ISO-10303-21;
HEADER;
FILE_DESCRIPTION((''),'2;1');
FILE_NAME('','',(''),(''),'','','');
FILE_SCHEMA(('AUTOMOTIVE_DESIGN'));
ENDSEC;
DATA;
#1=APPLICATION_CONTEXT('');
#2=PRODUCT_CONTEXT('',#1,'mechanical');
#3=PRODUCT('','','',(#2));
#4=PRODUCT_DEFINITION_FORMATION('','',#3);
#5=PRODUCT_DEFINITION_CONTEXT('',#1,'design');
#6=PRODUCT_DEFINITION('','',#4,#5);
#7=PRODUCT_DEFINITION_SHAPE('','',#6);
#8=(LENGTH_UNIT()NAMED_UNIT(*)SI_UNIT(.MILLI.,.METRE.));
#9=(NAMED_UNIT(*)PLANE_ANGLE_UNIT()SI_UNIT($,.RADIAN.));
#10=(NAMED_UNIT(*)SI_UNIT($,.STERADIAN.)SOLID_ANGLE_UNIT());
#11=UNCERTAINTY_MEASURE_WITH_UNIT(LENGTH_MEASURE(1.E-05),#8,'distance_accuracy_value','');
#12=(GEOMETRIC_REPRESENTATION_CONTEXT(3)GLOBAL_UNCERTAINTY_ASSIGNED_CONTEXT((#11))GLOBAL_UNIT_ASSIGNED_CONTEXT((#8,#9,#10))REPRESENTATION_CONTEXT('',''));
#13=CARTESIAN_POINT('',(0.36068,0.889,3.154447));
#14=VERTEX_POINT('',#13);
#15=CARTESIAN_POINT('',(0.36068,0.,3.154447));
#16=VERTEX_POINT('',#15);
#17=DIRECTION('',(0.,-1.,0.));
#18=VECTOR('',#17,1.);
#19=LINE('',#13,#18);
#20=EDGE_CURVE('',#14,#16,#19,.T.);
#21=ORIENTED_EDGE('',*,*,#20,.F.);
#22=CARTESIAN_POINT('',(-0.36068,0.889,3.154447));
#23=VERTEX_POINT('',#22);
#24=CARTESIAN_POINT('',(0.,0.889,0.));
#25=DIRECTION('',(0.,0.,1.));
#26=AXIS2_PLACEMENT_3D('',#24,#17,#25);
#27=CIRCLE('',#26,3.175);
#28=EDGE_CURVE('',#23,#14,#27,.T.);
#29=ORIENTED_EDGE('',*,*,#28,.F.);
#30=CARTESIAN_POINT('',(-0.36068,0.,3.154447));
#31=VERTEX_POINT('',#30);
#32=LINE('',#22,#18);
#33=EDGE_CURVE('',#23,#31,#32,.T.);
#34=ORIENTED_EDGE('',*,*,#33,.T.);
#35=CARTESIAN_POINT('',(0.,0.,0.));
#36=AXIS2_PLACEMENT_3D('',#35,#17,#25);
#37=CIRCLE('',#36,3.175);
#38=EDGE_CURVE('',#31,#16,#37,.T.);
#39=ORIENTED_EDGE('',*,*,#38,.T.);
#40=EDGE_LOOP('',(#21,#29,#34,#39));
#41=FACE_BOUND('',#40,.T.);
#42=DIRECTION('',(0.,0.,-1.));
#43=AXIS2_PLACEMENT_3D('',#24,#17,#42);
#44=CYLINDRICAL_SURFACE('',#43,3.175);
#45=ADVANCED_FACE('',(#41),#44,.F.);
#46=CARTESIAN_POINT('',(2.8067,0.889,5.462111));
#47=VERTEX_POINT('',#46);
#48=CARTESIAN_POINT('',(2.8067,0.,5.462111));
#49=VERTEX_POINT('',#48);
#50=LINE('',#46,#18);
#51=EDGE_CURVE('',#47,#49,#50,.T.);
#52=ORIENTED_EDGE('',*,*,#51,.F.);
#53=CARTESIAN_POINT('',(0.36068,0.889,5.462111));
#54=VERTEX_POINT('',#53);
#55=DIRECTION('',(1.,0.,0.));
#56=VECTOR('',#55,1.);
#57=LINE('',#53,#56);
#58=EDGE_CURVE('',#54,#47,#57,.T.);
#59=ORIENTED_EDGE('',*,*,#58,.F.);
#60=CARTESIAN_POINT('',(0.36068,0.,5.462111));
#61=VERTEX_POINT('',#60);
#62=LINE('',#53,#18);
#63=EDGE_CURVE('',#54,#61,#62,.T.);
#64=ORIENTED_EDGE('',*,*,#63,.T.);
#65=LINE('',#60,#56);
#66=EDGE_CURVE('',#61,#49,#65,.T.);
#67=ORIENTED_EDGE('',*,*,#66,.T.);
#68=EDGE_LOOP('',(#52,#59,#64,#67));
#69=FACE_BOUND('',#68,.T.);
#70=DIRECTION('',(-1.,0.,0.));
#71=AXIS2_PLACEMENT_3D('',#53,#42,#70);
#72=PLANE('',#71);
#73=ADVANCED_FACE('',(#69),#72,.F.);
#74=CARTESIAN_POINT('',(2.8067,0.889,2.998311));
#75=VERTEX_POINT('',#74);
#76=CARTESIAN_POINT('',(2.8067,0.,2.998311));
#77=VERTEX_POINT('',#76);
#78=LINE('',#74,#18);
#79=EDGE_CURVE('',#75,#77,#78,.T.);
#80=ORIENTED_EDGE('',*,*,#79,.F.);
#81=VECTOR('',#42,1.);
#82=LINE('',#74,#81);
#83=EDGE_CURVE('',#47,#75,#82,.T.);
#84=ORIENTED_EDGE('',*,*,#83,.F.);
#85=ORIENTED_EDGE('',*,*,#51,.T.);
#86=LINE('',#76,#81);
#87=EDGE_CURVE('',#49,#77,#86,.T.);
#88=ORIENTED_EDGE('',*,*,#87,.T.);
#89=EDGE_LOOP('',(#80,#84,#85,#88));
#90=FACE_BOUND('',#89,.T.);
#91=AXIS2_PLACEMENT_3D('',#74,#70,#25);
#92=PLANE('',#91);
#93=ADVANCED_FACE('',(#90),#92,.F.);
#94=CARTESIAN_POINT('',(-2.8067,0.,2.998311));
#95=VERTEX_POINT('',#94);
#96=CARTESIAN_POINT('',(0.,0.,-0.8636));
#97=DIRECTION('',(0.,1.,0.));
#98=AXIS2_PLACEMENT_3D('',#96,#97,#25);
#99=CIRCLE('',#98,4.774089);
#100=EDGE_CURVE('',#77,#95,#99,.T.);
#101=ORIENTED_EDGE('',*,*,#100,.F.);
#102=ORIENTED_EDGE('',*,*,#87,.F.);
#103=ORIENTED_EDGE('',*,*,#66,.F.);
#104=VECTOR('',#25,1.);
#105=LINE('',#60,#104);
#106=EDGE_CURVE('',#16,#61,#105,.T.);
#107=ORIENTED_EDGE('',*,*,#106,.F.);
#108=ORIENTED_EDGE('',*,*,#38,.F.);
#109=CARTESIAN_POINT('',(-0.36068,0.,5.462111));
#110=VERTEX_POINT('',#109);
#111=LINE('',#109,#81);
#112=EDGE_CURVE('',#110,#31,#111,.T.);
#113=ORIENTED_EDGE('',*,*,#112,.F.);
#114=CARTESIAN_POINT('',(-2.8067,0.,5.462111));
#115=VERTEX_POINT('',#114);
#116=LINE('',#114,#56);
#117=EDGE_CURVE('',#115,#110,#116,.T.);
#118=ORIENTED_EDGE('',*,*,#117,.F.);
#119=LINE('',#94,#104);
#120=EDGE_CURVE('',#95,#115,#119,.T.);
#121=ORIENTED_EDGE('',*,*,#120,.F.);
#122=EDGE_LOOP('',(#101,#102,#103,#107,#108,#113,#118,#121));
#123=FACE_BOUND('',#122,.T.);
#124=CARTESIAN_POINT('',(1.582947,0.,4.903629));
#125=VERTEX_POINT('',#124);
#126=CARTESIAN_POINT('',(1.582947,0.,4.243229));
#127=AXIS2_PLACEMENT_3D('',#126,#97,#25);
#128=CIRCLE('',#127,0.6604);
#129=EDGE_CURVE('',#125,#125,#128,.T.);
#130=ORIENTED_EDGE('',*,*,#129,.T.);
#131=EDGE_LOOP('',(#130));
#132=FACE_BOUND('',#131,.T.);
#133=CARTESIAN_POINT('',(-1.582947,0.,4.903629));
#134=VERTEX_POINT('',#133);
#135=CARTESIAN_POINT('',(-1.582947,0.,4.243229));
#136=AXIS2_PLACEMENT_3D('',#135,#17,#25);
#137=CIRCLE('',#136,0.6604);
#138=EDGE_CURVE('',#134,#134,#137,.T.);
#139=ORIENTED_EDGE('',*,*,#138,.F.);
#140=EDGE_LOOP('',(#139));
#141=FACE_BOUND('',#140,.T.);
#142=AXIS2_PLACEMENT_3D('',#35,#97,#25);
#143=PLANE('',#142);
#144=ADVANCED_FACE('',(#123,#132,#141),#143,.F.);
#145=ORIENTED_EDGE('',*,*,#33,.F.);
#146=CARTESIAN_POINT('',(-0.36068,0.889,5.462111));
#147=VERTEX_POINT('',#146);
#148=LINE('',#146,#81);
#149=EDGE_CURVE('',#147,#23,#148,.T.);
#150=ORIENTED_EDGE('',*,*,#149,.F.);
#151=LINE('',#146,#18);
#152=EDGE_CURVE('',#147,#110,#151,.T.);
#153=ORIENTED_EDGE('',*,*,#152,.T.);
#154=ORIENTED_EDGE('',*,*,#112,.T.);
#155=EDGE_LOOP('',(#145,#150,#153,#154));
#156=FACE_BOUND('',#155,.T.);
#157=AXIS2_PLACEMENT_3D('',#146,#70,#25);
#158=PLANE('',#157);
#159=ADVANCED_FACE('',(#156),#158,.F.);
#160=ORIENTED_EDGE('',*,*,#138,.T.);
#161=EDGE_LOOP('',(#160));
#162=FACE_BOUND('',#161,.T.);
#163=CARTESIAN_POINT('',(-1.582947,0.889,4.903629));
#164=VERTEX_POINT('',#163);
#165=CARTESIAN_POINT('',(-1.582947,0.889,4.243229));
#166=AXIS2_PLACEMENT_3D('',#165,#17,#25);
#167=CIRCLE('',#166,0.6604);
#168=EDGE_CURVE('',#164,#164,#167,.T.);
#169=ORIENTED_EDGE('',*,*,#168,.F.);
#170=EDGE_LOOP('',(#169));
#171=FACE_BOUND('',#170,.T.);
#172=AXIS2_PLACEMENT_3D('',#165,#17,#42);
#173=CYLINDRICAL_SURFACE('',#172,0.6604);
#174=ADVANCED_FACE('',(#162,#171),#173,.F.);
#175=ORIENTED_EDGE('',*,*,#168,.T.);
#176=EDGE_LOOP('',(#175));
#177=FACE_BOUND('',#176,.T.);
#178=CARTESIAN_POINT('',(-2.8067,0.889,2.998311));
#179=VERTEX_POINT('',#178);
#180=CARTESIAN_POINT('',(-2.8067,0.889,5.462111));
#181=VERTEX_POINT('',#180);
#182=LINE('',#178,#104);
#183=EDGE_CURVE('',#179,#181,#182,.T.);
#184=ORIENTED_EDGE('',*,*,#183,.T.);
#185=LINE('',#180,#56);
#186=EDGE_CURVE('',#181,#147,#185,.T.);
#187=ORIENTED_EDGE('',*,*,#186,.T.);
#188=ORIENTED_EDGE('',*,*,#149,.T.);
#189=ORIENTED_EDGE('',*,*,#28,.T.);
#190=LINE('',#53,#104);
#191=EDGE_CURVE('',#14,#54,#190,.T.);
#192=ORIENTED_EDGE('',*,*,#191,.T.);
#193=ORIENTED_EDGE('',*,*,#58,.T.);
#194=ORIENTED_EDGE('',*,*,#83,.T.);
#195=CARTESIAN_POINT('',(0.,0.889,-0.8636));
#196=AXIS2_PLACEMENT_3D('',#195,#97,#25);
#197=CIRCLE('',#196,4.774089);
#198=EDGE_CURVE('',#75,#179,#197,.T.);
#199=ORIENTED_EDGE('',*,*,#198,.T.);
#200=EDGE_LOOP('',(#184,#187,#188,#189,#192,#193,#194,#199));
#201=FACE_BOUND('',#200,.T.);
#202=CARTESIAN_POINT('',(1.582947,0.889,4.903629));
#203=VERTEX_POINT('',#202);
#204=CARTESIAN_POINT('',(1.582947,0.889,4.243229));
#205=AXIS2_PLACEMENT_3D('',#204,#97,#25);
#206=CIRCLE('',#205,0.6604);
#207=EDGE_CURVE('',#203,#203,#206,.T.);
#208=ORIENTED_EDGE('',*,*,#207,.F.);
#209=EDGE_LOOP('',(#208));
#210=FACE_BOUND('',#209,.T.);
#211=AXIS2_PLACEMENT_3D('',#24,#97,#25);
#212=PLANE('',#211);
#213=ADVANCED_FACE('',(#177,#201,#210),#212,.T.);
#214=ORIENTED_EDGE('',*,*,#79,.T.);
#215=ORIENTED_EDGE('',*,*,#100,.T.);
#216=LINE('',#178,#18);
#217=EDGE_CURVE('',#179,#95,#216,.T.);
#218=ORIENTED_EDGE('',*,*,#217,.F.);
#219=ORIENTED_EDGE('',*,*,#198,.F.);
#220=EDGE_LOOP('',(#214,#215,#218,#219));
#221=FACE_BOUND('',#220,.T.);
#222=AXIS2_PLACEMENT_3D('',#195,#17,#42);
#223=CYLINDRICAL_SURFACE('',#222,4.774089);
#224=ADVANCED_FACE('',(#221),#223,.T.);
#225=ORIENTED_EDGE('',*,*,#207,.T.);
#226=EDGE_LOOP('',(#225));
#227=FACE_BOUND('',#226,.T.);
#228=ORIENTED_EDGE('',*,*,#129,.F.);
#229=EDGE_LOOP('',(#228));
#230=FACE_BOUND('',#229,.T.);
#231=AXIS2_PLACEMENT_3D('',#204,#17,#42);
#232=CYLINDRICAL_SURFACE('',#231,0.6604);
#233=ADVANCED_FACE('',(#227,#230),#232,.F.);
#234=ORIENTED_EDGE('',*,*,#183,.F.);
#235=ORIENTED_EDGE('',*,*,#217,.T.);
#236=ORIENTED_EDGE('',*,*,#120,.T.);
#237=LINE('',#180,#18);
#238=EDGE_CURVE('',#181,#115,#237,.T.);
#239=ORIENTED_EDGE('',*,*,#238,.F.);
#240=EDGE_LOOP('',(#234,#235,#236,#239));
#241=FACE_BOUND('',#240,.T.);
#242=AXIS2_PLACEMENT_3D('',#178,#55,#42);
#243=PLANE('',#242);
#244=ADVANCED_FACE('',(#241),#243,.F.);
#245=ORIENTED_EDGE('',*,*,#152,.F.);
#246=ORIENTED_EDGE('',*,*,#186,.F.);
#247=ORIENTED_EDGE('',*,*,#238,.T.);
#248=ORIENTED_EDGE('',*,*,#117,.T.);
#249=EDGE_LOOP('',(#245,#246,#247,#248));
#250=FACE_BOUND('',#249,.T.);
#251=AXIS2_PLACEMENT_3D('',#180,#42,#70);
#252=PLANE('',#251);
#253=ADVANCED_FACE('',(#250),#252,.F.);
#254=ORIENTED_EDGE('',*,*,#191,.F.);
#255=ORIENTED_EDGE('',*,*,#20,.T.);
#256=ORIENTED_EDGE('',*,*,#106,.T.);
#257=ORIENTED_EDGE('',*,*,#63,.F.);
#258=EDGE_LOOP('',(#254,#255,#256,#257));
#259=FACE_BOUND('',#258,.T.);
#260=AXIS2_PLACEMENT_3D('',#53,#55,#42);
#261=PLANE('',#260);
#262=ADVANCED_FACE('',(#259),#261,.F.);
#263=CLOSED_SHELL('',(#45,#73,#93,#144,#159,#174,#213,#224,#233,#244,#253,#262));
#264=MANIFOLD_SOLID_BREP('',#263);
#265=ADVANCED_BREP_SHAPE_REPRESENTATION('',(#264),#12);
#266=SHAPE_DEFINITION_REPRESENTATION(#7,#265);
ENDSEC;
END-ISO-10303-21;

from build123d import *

# Parameters (mm, degrees)
EXTRUDE1_DEPTH     = 0.889
SKETCH5_R          = 0.6604
CUT_EXTRUDE1_DEPTH = 1.889


with BuildPart() as part:
    # Sketch4 → Extrude1 (new body)
    with BuildSketch(Plane(origin=(0, 0, 0), x_dir=(1, 0, 0), z_dir=(0, 1, 0))):
        with BuildLine():
            Line((-2.8067, -5.46211125), (-0.36068, -5.46211125))
            Line((-0.36068, -5.46211125), (-0.36068, -3.154446851))
            ThreePointArc((-0.36068, -3.154446851), (0, 3.175), (0.36068, -3.154446851))
            Line((0.36068, -3.154446851), (0.36068, -5.46211125))
            Line((0.36068, -5.46211125), (2.8067, -5.46211125))
            Line((2.8067, -5.46211125), (2.8067, -2.99831125))
            ThreePointArc((2.8067, -2.99831125), (0, 5.63768875), (-2.8067, -2.99831125))
            Line((-2.8067, -2.99831125), (-2.8067, -5.46211125))
        make_face()
    extrude(amount=EXTRUDE1_DEPTH)

    # Sketch5 → Cut-Extrude1 (cut, through all)
    with BuildSketch(Plane(origin=(0, 0, 0), x_dir=(1, 0, 0), z_dir=(0, 1, 0))):
        with Locations((1.582947052, -4.24322866)):
            Circle(SKETCH5_R)
    cut_extrude1 = extrude(amount=CUT_EXTRUDE1_DEPTH, mode=Mode.SUBTRACT)

    # Mirror1: Cut-Extrude1 across plane
    add(cut_extrude1.mirror(Plane(origin=(0, 0, 0), x_dir=(0, 0, 1), z_dir=(1, 0, 0))), mode=Mode.SUBTRACT)


solid = part.part
